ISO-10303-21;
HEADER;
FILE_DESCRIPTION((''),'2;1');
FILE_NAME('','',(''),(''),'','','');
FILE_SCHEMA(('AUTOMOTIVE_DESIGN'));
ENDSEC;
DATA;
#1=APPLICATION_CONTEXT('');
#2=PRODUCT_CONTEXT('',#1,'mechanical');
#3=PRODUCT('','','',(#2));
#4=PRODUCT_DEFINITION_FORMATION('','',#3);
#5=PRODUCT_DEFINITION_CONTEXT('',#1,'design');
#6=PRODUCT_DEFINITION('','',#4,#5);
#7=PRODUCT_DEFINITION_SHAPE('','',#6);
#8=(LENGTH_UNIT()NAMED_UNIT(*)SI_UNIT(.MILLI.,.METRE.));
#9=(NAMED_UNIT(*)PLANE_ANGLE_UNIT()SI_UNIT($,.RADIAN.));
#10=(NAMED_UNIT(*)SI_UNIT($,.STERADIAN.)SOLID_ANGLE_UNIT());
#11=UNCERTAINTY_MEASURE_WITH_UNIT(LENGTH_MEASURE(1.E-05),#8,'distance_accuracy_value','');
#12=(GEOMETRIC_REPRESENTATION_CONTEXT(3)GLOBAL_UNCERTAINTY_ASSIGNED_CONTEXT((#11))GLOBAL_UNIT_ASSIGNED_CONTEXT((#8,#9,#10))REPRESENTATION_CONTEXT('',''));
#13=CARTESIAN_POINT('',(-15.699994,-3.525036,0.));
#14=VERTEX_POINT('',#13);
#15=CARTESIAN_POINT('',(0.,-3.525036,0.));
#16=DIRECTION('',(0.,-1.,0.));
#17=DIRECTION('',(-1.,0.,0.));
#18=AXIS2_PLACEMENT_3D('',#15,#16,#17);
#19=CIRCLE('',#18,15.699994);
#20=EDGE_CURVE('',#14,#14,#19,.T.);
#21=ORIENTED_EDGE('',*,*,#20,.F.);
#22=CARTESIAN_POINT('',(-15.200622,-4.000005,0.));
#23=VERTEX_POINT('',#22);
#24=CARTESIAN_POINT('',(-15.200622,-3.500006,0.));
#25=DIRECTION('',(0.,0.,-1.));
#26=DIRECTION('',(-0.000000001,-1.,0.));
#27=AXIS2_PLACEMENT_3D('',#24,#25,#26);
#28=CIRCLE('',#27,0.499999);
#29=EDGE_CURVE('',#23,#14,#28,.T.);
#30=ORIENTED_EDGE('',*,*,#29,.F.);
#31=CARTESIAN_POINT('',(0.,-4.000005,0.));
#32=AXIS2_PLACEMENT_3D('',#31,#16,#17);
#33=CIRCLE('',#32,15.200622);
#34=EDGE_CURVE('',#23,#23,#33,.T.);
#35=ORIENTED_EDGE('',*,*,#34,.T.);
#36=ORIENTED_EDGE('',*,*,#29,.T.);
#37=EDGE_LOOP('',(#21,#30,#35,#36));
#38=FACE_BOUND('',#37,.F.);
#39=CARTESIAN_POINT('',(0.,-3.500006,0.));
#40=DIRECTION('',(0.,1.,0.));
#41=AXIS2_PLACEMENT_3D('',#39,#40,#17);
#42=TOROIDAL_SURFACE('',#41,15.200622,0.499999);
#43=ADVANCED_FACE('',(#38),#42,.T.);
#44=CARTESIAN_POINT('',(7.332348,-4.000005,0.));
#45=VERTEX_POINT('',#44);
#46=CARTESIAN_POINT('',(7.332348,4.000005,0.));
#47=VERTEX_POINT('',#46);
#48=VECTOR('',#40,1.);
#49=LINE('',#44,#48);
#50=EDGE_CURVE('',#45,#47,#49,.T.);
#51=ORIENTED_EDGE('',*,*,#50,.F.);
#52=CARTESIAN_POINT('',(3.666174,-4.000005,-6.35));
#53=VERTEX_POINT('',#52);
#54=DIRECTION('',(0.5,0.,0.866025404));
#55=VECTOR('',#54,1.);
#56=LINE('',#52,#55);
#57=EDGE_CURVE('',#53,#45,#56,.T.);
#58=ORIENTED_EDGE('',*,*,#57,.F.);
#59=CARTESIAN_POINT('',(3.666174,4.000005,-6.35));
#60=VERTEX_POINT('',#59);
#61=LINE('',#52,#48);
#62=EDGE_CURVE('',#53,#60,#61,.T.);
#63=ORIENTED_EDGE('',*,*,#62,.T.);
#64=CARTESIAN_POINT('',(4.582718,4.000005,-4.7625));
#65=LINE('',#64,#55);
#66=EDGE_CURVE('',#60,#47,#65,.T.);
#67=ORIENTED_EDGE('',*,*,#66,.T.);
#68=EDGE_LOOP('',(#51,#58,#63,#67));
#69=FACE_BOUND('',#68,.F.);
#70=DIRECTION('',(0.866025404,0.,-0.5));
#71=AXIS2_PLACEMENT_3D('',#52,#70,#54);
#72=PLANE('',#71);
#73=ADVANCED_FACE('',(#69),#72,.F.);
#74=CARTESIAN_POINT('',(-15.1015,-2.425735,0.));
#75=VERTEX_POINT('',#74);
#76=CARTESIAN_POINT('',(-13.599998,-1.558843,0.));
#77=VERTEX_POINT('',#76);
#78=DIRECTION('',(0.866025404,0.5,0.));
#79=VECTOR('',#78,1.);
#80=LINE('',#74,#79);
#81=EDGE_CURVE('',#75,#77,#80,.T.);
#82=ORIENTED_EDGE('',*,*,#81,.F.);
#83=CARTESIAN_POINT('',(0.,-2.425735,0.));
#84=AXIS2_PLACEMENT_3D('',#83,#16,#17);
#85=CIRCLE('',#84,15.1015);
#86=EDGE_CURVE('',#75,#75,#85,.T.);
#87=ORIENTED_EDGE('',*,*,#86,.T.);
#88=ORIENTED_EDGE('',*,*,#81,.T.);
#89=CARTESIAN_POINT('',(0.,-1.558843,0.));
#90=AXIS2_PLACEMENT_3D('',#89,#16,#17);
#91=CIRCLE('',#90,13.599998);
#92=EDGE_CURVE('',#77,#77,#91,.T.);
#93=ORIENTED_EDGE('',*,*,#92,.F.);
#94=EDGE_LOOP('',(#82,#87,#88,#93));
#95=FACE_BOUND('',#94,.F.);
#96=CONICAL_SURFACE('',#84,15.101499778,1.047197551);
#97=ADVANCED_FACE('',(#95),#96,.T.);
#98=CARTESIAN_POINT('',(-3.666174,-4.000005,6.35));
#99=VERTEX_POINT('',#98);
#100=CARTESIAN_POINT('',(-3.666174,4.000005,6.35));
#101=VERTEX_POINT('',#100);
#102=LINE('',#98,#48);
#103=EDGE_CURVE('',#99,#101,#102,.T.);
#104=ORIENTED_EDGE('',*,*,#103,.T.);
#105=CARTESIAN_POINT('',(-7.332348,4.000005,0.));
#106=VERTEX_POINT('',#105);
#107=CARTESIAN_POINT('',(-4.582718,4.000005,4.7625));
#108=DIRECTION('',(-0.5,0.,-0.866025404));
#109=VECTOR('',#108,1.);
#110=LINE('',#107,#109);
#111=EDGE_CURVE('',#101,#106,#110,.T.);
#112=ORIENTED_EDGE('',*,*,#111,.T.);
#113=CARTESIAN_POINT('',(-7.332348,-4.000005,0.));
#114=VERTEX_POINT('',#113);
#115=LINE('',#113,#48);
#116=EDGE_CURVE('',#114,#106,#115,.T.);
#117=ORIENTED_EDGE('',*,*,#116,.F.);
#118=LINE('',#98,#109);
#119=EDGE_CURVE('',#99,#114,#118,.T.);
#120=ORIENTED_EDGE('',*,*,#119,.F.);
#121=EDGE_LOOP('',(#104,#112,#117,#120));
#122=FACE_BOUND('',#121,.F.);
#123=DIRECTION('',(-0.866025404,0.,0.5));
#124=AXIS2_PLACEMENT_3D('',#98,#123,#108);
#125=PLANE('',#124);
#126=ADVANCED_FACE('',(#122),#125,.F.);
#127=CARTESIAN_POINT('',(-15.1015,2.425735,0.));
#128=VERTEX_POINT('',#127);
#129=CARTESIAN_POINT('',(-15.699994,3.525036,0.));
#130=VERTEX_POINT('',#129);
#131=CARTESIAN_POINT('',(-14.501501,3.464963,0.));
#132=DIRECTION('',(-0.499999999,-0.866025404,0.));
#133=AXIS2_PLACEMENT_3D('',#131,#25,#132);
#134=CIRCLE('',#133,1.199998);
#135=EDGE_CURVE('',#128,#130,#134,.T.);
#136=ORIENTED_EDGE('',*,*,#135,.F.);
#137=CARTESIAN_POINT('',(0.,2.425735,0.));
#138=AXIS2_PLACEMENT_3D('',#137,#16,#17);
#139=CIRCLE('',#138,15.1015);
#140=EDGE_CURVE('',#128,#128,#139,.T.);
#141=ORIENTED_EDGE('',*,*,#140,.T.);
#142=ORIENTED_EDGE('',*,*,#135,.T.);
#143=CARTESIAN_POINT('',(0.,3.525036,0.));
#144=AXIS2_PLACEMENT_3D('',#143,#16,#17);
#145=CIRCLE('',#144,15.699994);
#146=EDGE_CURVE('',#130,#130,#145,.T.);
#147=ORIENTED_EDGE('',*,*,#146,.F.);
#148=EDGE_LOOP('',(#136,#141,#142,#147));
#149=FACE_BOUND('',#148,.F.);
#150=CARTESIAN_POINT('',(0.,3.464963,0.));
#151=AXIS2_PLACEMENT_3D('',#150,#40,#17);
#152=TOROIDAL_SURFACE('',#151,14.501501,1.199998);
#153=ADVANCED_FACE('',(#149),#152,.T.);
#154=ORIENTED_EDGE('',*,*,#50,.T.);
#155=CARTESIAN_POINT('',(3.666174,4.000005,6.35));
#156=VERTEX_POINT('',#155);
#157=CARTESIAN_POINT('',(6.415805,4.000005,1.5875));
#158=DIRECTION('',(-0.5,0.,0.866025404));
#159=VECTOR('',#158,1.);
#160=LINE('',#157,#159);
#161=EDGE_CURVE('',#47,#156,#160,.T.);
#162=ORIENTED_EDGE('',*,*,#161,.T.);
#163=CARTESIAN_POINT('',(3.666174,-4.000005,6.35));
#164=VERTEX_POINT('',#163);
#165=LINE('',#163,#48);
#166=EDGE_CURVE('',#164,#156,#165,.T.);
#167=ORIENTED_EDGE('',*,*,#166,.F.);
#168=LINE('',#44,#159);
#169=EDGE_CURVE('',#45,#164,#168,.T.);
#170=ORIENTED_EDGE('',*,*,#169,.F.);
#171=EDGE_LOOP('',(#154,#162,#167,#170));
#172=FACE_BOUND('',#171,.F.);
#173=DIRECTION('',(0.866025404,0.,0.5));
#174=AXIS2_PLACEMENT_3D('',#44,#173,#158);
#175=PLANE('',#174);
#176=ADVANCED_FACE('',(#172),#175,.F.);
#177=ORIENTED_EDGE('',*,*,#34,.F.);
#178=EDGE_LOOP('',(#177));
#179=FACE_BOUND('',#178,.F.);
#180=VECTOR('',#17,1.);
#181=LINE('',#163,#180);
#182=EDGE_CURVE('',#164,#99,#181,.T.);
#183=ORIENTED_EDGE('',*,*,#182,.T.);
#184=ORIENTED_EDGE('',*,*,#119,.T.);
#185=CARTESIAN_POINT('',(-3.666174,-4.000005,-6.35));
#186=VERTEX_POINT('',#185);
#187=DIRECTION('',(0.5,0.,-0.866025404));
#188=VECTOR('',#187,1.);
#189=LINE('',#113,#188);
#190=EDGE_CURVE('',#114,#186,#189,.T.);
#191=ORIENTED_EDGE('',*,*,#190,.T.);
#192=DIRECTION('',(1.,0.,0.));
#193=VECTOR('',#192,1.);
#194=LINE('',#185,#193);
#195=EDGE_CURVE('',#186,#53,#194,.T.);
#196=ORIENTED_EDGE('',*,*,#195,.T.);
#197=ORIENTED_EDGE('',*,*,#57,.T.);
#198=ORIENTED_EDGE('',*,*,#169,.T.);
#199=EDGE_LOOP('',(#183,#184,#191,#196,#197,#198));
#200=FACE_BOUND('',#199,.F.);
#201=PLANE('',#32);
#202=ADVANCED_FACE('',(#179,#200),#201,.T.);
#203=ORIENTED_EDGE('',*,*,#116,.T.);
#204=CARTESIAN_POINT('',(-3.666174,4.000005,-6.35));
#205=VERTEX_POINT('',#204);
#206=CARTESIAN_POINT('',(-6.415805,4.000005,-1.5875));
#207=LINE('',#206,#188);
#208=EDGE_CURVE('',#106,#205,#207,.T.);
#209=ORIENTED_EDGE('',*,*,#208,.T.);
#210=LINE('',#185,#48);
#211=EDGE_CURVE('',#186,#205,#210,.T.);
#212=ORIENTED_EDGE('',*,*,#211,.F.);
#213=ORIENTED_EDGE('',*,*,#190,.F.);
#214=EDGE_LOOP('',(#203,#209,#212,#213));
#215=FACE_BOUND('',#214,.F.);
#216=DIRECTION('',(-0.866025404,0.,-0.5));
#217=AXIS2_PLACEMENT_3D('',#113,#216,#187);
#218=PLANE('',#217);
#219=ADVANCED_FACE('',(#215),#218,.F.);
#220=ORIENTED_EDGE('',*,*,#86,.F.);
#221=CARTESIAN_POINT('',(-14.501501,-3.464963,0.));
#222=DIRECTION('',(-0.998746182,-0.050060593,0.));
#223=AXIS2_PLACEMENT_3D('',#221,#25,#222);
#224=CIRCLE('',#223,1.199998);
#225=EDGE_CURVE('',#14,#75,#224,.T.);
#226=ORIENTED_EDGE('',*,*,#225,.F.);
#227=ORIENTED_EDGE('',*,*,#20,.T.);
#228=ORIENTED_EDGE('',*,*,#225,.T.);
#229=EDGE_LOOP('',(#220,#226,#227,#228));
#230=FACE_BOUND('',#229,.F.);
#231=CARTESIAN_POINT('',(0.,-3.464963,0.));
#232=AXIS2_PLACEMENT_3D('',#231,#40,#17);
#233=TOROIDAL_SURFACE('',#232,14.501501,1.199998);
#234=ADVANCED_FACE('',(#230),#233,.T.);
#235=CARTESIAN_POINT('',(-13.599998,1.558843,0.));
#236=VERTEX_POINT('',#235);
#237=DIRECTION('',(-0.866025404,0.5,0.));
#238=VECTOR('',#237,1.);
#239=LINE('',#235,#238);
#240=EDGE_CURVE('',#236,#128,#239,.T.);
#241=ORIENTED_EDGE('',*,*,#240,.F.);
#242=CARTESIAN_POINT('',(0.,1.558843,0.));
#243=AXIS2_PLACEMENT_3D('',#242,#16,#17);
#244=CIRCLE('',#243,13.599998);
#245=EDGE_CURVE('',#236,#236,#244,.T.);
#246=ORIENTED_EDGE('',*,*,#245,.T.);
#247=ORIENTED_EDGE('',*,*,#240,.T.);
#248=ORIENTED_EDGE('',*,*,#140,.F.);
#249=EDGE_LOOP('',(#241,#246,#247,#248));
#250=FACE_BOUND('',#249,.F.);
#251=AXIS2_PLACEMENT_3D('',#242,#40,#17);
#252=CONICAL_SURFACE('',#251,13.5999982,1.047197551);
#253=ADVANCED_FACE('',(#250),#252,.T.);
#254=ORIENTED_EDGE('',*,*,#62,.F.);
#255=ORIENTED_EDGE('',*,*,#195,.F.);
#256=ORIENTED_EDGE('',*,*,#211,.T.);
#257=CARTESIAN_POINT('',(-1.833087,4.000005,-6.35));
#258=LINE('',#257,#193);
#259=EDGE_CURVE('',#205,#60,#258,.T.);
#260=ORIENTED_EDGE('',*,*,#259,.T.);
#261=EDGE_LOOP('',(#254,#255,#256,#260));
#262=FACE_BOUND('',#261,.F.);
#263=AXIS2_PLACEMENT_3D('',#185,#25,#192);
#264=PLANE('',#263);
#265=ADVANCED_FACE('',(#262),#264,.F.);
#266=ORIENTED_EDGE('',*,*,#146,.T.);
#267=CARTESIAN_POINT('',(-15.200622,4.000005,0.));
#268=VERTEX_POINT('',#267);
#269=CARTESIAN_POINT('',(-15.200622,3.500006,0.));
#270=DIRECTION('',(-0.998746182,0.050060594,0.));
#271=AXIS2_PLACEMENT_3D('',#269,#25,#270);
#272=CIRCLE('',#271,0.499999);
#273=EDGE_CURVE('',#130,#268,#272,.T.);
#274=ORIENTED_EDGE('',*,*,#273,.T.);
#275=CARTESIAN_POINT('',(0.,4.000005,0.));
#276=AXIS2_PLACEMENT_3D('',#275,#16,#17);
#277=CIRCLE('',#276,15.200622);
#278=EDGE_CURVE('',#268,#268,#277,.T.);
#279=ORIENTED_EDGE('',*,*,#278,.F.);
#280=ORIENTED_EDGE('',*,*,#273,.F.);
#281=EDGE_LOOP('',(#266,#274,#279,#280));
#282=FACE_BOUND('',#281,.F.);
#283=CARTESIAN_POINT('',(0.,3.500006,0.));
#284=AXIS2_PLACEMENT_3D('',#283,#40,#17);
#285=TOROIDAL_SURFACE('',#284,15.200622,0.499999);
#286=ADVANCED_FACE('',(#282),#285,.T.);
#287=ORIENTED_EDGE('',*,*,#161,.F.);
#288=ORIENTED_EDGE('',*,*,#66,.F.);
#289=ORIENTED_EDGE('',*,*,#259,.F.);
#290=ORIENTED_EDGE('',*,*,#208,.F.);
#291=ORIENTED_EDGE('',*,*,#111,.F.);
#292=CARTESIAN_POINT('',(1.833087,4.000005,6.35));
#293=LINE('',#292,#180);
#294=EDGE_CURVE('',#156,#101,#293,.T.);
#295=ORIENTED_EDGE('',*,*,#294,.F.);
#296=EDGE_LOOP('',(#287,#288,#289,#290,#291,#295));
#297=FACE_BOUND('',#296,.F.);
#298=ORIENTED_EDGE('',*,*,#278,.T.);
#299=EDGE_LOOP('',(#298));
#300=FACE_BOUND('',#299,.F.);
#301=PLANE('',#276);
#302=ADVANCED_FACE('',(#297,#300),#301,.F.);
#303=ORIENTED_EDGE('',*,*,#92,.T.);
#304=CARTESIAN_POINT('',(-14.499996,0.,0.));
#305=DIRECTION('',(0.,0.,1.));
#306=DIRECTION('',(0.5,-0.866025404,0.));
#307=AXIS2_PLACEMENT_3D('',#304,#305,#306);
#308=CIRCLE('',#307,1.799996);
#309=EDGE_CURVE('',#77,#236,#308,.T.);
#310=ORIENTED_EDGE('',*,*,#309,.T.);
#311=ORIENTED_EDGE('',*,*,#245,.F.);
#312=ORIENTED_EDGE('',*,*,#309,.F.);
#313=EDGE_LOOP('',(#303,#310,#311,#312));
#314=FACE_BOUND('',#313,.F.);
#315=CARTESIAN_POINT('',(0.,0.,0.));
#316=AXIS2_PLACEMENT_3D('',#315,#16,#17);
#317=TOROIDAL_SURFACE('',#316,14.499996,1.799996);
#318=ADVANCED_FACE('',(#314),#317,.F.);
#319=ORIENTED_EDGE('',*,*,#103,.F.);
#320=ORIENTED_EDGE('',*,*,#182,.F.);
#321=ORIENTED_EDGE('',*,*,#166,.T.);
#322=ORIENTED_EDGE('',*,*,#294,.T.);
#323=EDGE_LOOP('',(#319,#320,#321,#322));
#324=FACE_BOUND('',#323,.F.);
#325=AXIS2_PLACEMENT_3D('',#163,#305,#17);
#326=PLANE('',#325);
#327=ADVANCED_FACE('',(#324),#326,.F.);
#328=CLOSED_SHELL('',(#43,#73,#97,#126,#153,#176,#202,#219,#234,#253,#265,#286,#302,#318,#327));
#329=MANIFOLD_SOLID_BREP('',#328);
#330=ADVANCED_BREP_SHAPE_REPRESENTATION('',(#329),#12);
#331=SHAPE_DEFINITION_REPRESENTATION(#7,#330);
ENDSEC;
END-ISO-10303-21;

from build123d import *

# Parameters (mm, degrees)
CUT_EXTRUDE2_DEPTH = 9.0000094


with BuildPart() as part:
    # Sketch1 → Revolve1 (revolve)
    with BuildSketch(Plane(origin=(0, 0, 0), x_dir=(0, 1, 0), z_dir=(0, 0, 1))):
        with BuildLine():
            Line((4.0000047, 0), (-4.0000047, 0))
            Line((-4.0000047, 0), (-4.0000047, 15.200621907))
            ThreePointArc((-4.0000047, 15.200621907), (-3.862299847, 15.545211447), (-3.525035946, 15.699994))
            ThreePointArc((-3.525035946, 15.699994), (-2.891173009, 15.55542644), (-2.425734949, 15.101499778))
            Line((-2.425734949, 15.101499778), (-1.558842609, 13.5999982))
            ThreePointArc((-1.558842609, 13.5999982), (0, 12.7), (1.558842609, 13.5999982))
            Line((1.558842609, 13.5999982), (2.425734949, 15.101499778))
            ThreePointArc((2.425734949, 15.101499778), (2.891173009, 15.55542644), (3.525035946, 15.699994))
            ThreePointArc((3.525035946, 15.699994), (3.862299847, 15.545211447), (4.0000047, 15.200621907))
            Line((4.0000047, 15.200621907), (4.0000047, 0))
        make_face()
    revolve(axis=Axis((0, 4.0000047, 0), (0, -1, 0)))

    # Sketch2 → Cut-Extrude2 (cut, through all)
    with BuildSketch(Plane.XZ.offset(4.0000047)):
        Polygon((7.332348419, 0), (3.666174209, 6.35), (-3.666174209, 6.35), (-7.332348419, 0), (-3.666174209, -6.35), (3.666174209, -6.35), align=None)
    extrude(amount=-CUT_EXTRUDE2_DEPTH, mode=Mode.SUBTRACT)


solid = part.part
